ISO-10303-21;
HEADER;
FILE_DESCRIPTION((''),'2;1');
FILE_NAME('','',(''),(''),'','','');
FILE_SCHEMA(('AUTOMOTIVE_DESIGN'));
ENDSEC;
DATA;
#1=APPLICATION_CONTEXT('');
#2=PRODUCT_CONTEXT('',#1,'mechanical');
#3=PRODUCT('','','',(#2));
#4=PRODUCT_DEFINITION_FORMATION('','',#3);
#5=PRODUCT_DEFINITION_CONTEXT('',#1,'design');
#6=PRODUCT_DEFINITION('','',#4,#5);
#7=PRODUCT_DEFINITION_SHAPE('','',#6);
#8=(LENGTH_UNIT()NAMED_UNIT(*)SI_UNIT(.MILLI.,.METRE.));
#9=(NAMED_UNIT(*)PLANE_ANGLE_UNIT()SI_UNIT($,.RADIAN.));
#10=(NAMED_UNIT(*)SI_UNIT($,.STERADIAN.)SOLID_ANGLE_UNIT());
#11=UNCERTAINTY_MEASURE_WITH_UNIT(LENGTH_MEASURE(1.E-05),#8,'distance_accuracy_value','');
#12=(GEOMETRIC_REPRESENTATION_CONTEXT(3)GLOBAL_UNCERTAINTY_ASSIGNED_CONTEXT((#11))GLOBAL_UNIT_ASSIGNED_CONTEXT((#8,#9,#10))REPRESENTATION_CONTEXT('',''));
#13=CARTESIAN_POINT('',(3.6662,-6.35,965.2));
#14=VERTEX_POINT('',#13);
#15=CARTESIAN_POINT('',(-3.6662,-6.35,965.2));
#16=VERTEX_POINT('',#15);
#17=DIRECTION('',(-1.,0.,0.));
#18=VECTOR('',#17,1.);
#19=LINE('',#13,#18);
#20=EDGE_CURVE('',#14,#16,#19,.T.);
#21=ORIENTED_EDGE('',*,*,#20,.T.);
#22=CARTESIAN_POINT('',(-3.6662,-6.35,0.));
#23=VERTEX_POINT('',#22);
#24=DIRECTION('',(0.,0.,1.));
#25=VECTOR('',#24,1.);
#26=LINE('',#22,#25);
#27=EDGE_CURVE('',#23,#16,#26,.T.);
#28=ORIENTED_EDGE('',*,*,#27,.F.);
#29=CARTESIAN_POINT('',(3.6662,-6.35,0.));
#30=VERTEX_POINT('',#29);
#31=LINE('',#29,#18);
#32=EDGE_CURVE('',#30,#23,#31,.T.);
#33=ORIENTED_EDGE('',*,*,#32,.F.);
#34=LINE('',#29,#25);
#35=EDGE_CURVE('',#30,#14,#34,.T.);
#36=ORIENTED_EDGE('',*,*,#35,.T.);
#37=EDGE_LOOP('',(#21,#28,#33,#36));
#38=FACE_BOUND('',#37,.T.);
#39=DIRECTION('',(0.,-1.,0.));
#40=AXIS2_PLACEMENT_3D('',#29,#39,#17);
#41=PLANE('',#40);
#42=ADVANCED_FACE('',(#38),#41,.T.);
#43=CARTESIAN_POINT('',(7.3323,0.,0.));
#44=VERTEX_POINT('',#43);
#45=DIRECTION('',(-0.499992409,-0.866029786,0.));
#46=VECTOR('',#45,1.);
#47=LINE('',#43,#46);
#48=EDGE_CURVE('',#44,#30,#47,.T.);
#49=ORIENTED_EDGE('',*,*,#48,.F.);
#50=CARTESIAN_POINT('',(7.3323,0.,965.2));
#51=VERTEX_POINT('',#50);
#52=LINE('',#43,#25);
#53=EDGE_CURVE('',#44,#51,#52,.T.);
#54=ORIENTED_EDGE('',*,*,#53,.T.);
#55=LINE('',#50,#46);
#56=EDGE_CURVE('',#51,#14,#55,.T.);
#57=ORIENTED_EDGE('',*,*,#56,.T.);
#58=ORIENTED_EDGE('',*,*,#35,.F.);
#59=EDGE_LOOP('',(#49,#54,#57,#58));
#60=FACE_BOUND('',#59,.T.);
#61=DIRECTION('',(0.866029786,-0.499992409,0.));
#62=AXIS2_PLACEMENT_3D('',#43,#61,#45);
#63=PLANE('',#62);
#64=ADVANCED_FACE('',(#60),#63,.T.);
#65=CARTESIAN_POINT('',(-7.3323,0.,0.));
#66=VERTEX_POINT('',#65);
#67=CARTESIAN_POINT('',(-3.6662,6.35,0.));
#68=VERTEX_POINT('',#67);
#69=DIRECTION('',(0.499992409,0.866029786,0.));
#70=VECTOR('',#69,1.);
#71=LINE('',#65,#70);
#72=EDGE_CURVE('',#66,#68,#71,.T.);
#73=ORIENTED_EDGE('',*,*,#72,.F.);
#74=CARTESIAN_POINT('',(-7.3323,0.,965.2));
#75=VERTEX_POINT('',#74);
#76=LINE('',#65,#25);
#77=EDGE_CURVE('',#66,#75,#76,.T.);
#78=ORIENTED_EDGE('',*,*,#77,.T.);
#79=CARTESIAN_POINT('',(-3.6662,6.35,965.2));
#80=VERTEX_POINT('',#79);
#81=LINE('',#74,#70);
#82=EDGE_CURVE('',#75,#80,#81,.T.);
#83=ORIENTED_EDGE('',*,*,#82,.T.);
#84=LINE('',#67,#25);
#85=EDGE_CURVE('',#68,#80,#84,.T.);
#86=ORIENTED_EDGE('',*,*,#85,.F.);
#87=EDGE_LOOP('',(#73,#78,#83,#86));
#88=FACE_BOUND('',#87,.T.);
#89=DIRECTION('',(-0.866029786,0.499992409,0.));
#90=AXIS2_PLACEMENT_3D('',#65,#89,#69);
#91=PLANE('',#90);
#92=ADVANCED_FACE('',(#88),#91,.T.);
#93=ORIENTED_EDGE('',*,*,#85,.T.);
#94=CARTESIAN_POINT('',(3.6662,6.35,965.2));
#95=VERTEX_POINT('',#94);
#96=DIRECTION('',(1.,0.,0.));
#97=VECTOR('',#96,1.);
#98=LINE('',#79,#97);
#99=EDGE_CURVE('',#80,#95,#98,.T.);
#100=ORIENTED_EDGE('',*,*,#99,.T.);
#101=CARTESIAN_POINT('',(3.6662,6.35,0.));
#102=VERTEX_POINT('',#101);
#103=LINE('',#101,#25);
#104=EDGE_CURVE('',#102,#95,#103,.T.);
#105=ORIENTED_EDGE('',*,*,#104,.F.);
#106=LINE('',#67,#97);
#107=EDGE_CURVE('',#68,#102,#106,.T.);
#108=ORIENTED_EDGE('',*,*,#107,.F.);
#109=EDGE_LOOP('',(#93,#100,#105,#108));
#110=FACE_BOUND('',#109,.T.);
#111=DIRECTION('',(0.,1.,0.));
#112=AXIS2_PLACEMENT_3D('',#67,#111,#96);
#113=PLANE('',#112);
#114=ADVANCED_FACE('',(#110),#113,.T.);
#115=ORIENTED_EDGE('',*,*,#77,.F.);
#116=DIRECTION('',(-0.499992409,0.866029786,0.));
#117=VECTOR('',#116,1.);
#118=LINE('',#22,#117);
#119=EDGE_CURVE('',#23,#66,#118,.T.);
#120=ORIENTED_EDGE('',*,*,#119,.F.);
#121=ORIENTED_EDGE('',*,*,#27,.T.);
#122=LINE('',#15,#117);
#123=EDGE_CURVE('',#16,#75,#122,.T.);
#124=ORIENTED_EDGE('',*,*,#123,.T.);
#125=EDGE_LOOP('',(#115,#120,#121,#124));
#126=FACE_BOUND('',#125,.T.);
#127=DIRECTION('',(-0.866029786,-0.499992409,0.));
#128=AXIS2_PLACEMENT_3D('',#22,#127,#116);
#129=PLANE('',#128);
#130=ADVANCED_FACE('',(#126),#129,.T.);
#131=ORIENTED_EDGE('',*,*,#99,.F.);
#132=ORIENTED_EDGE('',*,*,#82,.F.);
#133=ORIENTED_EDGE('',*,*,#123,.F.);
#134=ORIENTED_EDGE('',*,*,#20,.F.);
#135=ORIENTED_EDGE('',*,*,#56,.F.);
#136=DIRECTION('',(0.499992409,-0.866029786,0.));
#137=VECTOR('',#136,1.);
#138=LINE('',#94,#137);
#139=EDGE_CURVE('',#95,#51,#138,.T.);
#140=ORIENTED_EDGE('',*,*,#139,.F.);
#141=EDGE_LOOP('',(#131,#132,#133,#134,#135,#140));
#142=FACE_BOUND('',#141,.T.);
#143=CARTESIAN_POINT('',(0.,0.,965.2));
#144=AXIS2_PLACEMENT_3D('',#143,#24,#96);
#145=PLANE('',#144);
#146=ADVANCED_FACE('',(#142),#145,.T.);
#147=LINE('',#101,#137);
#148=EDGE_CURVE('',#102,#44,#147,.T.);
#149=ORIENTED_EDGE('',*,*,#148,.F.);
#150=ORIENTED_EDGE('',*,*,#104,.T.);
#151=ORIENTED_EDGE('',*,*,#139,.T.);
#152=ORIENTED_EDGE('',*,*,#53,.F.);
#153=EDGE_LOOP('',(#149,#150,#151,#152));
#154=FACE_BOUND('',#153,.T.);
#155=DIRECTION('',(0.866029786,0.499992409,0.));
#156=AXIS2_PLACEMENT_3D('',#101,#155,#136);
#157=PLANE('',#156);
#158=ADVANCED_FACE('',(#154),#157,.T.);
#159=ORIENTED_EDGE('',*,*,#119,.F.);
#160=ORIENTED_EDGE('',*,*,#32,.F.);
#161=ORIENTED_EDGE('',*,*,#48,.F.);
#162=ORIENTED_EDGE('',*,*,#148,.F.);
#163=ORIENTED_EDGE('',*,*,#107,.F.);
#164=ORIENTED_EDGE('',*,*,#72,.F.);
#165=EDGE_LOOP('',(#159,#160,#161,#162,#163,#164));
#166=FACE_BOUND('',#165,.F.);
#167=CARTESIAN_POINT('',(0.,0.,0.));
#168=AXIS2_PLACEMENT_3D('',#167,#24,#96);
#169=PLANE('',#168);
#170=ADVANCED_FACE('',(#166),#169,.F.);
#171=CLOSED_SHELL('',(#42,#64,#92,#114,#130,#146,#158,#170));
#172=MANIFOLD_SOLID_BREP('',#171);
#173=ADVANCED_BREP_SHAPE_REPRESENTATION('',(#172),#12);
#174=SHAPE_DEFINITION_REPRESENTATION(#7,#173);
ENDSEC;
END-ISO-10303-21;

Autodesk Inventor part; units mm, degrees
ref_plane "YZ Plane" through (0, 0, 0) normal (1, 0, 0) x (0, 1, 0)
ref_plane "XZ Plane" through (0, 0, 0) normal (0, 1, 0) x (-1, 0, 0)
ref_plane "XY Plane" through (0, 0, 0) normal (0, 0, 1) x (1, 0, 0)
sketch "Sketch1" plane through (0, 0, 0) normal (0, 0, 1) x (1, 0, 0)
  line L0 (3.6662, 6.35) -> (7.3323, 0)
  line L1 (7.3323, 0) -> (3.6662, -6.35)
  line L2 (3.6662, -6.35) -> (-3.6662, -6.35)
  line L3 (-3.6662, -6.35) -> (-7.3323, 0)
  line L4 (-7.3323, 0) -> (-3.6662, 6.35)
  line L5 (-3.6662, 6.35) -> (3.6662, 6.35)
  point P0 (0, 0)
  point P1 (0, 0)
  dimension "d0" = 12.7
extrude "Extrusion1" add sketch "Sketch1" along normal blind 965.2
properties part number "hex rod 38 inch" material "Steel, Alloy"
